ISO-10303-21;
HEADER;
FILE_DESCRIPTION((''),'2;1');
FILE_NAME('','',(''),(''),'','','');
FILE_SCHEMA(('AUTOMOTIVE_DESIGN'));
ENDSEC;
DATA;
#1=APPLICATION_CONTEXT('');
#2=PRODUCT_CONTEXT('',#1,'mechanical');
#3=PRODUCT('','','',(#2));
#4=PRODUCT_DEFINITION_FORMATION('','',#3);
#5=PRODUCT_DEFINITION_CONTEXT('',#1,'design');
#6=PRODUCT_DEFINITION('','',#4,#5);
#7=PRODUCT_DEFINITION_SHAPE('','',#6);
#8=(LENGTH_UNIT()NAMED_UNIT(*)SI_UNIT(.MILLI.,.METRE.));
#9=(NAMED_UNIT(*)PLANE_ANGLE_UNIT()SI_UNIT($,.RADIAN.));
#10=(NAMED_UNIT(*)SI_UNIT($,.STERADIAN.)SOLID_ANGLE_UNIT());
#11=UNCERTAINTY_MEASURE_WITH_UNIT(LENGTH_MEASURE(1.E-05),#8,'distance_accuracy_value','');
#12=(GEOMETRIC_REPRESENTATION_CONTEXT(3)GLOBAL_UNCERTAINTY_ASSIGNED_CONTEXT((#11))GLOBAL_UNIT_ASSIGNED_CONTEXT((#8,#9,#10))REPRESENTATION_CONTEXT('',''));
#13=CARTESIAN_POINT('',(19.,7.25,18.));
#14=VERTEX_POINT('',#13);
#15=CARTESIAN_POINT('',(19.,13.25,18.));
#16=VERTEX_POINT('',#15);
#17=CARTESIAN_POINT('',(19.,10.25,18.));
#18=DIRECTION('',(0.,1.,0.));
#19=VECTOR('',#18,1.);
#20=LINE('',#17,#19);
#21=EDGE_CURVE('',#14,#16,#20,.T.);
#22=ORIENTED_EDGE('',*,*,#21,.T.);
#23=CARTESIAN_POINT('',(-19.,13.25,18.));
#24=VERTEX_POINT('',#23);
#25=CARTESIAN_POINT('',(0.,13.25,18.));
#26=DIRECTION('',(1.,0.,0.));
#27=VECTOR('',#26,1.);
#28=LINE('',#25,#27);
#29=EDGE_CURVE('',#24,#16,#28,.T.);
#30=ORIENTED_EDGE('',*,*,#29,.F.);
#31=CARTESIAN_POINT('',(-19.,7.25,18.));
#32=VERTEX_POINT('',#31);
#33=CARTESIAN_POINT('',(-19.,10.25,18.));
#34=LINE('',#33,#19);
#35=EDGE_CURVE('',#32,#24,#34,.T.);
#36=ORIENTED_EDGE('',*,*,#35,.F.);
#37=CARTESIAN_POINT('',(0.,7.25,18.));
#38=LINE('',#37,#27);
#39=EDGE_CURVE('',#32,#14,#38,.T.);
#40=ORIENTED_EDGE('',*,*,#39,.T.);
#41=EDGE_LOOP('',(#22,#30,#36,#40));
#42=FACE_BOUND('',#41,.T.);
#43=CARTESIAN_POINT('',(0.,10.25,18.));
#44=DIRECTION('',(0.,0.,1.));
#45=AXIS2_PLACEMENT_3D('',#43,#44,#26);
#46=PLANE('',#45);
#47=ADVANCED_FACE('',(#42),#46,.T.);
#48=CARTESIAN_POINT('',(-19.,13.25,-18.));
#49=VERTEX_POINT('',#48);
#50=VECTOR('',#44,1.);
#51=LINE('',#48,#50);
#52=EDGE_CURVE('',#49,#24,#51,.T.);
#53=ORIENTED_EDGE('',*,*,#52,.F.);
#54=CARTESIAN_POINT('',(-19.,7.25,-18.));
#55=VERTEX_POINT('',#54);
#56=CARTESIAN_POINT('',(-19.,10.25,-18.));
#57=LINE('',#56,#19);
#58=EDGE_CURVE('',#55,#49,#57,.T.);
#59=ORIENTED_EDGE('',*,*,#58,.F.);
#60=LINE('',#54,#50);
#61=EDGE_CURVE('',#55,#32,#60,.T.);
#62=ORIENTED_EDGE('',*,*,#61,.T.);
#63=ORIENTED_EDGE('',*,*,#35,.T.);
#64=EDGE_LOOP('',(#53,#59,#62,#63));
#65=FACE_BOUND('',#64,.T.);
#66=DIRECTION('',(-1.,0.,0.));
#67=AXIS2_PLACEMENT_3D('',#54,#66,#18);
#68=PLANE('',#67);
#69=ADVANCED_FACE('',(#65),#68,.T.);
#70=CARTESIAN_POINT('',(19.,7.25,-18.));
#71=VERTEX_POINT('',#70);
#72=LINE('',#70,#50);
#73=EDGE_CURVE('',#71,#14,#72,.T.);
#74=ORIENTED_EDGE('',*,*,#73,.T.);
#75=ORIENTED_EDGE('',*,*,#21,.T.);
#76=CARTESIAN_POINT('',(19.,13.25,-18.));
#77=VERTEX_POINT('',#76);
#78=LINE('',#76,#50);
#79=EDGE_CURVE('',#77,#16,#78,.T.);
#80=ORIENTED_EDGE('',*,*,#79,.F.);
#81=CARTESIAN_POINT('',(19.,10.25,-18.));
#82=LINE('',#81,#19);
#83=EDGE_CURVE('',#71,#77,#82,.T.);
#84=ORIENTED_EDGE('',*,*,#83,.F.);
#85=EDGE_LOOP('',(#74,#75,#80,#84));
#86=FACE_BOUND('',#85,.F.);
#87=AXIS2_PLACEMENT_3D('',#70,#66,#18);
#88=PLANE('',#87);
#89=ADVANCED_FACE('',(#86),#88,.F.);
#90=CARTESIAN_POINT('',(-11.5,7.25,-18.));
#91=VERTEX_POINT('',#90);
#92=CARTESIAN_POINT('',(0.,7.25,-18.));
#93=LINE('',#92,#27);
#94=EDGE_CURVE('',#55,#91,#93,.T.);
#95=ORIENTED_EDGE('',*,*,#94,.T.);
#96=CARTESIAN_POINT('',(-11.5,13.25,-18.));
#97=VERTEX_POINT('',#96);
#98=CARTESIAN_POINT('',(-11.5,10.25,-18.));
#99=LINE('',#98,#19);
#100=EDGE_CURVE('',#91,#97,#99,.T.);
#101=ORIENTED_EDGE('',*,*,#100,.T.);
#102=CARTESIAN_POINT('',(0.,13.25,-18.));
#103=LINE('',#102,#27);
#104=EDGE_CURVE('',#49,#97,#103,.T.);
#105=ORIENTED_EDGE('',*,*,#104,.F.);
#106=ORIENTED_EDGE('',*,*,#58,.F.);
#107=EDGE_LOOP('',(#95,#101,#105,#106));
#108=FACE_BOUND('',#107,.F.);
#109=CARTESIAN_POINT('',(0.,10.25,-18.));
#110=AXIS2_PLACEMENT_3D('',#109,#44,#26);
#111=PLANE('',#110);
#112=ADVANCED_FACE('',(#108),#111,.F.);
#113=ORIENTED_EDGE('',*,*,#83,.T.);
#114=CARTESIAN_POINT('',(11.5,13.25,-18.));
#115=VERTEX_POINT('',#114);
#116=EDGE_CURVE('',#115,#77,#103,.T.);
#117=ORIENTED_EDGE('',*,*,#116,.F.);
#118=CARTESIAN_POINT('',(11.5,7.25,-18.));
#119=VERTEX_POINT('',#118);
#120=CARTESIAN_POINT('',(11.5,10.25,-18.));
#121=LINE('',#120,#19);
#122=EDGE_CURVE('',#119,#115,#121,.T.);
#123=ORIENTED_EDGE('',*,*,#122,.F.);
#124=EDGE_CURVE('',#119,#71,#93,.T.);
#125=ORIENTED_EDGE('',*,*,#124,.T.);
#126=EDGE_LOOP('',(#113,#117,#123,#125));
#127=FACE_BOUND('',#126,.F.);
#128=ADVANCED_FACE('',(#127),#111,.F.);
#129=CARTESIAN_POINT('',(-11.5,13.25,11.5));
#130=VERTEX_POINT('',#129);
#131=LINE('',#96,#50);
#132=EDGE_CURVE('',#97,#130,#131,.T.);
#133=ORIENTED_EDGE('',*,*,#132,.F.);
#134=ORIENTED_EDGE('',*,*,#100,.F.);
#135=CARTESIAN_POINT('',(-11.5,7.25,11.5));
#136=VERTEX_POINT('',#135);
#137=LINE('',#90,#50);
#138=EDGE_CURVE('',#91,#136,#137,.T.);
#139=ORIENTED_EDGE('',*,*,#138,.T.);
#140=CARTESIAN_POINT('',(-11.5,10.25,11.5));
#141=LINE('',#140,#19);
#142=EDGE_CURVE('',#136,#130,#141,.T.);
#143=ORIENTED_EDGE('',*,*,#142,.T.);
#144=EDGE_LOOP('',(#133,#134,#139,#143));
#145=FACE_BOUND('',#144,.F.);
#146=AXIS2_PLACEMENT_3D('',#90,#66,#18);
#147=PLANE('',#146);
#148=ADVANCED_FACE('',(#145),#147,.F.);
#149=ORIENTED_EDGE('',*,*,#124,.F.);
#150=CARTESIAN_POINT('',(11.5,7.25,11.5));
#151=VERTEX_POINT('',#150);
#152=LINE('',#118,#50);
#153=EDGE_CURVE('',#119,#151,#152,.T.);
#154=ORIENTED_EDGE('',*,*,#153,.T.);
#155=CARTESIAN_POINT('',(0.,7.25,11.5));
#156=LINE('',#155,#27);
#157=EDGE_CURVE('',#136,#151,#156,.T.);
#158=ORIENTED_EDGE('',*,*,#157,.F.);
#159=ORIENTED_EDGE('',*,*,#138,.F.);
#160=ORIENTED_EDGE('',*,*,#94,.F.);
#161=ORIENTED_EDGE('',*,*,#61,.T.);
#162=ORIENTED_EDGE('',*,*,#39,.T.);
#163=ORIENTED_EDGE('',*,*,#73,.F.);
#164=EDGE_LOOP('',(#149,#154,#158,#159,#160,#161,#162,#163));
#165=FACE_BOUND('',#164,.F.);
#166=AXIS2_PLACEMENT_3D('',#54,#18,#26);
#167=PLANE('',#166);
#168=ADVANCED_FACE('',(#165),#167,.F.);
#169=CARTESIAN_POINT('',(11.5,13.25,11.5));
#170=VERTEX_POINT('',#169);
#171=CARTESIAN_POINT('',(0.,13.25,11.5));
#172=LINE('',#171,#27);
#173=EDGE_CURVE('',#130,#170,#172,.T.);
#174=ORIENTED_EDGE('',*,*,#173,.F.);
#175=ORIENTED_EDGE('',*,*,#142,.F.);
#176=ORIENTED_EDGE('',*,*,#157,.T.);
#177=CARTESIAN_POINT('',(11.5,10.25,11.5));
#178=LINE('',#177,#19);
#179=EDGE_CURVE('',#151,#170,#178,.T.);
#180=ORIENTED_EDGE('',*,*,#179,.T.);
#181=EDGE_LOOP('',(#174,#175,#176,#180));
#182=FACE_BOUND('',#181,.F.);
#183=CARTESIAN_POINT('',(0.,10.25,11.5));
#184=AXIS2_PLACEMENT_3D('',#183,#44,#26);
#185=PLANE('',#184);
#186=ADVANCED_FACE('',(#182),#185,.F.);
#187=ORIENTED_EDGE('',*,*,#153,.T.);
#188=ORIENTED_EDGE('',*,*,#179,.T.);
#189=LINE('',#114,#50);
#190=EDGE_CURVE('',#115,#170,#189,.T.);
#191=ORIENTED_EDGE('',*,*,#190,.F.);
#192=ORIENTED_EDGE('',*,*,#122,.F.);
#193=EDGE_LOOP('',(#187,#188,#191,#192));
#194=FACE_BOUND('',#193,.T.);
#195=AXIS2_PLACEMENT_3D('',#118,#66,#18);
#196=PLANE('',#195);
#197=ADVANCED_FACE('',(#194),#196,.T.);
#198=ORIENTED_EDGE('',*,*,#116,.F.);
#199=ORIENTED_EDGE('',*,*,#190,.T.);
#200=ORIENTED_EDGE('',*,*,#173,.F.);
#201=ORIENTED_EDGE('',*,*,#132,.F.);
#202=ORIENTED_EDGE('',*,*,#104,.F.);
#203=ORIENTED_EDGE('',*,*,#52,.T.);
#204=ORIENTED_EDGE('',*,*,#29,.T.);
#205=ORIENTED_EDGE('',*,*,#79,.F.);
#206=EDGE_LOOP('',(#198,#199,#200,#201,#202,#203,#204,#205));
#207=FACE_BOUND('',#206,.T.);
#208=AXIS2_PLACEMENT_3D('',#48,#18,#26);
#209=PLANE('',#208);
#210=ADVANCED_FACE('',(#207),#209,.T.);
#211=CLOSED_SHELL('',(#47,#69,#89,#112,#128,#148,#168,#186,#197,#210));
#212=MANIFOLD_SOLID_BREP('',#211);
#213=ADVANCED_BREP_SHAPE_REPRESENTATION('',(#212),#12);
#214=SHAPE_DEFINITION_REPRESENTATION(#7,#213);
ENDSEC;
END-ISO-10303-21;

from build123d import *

# Parameters (mm, degrees)
BOX019_W     = 23
BOX019_H     = 6
BOX019_DEPTH = 29.5
BOX018_W     = 38
BOX018_H     = 6
BOX018_DEPTH = 36


with BuildPart() as cube019:
    # Box019 → Box019 (new body)
    with BuildSketch(Plane(origin=(-11.5, 7.25, -18), x_dir=(1, 0, 0), z_dir=(0, 0, 1))):
        with Locations((11.5, 3)):
            Rectangle(BOX019_W, BOX019_H)
    extrude(amount=BOX019_DEPTH)


with BuildPart() as cut005:
    # Box018 → Box018 (new body)
    with BuildSketch(Plane(origin=(-19, 7.25, -18), x_dir=(1, 0, 0), z_dir=(0, 0, 1))):
        with Locations((19, 3)):
            Rectangle(BOX018_W, BOX018_H)
    extrude(amount=BOX018_DEPTH)

    # Cut005: cut Cube019
    add(cube019.part, mode=Mode.SUBTRACT)


solid = cut005.part
